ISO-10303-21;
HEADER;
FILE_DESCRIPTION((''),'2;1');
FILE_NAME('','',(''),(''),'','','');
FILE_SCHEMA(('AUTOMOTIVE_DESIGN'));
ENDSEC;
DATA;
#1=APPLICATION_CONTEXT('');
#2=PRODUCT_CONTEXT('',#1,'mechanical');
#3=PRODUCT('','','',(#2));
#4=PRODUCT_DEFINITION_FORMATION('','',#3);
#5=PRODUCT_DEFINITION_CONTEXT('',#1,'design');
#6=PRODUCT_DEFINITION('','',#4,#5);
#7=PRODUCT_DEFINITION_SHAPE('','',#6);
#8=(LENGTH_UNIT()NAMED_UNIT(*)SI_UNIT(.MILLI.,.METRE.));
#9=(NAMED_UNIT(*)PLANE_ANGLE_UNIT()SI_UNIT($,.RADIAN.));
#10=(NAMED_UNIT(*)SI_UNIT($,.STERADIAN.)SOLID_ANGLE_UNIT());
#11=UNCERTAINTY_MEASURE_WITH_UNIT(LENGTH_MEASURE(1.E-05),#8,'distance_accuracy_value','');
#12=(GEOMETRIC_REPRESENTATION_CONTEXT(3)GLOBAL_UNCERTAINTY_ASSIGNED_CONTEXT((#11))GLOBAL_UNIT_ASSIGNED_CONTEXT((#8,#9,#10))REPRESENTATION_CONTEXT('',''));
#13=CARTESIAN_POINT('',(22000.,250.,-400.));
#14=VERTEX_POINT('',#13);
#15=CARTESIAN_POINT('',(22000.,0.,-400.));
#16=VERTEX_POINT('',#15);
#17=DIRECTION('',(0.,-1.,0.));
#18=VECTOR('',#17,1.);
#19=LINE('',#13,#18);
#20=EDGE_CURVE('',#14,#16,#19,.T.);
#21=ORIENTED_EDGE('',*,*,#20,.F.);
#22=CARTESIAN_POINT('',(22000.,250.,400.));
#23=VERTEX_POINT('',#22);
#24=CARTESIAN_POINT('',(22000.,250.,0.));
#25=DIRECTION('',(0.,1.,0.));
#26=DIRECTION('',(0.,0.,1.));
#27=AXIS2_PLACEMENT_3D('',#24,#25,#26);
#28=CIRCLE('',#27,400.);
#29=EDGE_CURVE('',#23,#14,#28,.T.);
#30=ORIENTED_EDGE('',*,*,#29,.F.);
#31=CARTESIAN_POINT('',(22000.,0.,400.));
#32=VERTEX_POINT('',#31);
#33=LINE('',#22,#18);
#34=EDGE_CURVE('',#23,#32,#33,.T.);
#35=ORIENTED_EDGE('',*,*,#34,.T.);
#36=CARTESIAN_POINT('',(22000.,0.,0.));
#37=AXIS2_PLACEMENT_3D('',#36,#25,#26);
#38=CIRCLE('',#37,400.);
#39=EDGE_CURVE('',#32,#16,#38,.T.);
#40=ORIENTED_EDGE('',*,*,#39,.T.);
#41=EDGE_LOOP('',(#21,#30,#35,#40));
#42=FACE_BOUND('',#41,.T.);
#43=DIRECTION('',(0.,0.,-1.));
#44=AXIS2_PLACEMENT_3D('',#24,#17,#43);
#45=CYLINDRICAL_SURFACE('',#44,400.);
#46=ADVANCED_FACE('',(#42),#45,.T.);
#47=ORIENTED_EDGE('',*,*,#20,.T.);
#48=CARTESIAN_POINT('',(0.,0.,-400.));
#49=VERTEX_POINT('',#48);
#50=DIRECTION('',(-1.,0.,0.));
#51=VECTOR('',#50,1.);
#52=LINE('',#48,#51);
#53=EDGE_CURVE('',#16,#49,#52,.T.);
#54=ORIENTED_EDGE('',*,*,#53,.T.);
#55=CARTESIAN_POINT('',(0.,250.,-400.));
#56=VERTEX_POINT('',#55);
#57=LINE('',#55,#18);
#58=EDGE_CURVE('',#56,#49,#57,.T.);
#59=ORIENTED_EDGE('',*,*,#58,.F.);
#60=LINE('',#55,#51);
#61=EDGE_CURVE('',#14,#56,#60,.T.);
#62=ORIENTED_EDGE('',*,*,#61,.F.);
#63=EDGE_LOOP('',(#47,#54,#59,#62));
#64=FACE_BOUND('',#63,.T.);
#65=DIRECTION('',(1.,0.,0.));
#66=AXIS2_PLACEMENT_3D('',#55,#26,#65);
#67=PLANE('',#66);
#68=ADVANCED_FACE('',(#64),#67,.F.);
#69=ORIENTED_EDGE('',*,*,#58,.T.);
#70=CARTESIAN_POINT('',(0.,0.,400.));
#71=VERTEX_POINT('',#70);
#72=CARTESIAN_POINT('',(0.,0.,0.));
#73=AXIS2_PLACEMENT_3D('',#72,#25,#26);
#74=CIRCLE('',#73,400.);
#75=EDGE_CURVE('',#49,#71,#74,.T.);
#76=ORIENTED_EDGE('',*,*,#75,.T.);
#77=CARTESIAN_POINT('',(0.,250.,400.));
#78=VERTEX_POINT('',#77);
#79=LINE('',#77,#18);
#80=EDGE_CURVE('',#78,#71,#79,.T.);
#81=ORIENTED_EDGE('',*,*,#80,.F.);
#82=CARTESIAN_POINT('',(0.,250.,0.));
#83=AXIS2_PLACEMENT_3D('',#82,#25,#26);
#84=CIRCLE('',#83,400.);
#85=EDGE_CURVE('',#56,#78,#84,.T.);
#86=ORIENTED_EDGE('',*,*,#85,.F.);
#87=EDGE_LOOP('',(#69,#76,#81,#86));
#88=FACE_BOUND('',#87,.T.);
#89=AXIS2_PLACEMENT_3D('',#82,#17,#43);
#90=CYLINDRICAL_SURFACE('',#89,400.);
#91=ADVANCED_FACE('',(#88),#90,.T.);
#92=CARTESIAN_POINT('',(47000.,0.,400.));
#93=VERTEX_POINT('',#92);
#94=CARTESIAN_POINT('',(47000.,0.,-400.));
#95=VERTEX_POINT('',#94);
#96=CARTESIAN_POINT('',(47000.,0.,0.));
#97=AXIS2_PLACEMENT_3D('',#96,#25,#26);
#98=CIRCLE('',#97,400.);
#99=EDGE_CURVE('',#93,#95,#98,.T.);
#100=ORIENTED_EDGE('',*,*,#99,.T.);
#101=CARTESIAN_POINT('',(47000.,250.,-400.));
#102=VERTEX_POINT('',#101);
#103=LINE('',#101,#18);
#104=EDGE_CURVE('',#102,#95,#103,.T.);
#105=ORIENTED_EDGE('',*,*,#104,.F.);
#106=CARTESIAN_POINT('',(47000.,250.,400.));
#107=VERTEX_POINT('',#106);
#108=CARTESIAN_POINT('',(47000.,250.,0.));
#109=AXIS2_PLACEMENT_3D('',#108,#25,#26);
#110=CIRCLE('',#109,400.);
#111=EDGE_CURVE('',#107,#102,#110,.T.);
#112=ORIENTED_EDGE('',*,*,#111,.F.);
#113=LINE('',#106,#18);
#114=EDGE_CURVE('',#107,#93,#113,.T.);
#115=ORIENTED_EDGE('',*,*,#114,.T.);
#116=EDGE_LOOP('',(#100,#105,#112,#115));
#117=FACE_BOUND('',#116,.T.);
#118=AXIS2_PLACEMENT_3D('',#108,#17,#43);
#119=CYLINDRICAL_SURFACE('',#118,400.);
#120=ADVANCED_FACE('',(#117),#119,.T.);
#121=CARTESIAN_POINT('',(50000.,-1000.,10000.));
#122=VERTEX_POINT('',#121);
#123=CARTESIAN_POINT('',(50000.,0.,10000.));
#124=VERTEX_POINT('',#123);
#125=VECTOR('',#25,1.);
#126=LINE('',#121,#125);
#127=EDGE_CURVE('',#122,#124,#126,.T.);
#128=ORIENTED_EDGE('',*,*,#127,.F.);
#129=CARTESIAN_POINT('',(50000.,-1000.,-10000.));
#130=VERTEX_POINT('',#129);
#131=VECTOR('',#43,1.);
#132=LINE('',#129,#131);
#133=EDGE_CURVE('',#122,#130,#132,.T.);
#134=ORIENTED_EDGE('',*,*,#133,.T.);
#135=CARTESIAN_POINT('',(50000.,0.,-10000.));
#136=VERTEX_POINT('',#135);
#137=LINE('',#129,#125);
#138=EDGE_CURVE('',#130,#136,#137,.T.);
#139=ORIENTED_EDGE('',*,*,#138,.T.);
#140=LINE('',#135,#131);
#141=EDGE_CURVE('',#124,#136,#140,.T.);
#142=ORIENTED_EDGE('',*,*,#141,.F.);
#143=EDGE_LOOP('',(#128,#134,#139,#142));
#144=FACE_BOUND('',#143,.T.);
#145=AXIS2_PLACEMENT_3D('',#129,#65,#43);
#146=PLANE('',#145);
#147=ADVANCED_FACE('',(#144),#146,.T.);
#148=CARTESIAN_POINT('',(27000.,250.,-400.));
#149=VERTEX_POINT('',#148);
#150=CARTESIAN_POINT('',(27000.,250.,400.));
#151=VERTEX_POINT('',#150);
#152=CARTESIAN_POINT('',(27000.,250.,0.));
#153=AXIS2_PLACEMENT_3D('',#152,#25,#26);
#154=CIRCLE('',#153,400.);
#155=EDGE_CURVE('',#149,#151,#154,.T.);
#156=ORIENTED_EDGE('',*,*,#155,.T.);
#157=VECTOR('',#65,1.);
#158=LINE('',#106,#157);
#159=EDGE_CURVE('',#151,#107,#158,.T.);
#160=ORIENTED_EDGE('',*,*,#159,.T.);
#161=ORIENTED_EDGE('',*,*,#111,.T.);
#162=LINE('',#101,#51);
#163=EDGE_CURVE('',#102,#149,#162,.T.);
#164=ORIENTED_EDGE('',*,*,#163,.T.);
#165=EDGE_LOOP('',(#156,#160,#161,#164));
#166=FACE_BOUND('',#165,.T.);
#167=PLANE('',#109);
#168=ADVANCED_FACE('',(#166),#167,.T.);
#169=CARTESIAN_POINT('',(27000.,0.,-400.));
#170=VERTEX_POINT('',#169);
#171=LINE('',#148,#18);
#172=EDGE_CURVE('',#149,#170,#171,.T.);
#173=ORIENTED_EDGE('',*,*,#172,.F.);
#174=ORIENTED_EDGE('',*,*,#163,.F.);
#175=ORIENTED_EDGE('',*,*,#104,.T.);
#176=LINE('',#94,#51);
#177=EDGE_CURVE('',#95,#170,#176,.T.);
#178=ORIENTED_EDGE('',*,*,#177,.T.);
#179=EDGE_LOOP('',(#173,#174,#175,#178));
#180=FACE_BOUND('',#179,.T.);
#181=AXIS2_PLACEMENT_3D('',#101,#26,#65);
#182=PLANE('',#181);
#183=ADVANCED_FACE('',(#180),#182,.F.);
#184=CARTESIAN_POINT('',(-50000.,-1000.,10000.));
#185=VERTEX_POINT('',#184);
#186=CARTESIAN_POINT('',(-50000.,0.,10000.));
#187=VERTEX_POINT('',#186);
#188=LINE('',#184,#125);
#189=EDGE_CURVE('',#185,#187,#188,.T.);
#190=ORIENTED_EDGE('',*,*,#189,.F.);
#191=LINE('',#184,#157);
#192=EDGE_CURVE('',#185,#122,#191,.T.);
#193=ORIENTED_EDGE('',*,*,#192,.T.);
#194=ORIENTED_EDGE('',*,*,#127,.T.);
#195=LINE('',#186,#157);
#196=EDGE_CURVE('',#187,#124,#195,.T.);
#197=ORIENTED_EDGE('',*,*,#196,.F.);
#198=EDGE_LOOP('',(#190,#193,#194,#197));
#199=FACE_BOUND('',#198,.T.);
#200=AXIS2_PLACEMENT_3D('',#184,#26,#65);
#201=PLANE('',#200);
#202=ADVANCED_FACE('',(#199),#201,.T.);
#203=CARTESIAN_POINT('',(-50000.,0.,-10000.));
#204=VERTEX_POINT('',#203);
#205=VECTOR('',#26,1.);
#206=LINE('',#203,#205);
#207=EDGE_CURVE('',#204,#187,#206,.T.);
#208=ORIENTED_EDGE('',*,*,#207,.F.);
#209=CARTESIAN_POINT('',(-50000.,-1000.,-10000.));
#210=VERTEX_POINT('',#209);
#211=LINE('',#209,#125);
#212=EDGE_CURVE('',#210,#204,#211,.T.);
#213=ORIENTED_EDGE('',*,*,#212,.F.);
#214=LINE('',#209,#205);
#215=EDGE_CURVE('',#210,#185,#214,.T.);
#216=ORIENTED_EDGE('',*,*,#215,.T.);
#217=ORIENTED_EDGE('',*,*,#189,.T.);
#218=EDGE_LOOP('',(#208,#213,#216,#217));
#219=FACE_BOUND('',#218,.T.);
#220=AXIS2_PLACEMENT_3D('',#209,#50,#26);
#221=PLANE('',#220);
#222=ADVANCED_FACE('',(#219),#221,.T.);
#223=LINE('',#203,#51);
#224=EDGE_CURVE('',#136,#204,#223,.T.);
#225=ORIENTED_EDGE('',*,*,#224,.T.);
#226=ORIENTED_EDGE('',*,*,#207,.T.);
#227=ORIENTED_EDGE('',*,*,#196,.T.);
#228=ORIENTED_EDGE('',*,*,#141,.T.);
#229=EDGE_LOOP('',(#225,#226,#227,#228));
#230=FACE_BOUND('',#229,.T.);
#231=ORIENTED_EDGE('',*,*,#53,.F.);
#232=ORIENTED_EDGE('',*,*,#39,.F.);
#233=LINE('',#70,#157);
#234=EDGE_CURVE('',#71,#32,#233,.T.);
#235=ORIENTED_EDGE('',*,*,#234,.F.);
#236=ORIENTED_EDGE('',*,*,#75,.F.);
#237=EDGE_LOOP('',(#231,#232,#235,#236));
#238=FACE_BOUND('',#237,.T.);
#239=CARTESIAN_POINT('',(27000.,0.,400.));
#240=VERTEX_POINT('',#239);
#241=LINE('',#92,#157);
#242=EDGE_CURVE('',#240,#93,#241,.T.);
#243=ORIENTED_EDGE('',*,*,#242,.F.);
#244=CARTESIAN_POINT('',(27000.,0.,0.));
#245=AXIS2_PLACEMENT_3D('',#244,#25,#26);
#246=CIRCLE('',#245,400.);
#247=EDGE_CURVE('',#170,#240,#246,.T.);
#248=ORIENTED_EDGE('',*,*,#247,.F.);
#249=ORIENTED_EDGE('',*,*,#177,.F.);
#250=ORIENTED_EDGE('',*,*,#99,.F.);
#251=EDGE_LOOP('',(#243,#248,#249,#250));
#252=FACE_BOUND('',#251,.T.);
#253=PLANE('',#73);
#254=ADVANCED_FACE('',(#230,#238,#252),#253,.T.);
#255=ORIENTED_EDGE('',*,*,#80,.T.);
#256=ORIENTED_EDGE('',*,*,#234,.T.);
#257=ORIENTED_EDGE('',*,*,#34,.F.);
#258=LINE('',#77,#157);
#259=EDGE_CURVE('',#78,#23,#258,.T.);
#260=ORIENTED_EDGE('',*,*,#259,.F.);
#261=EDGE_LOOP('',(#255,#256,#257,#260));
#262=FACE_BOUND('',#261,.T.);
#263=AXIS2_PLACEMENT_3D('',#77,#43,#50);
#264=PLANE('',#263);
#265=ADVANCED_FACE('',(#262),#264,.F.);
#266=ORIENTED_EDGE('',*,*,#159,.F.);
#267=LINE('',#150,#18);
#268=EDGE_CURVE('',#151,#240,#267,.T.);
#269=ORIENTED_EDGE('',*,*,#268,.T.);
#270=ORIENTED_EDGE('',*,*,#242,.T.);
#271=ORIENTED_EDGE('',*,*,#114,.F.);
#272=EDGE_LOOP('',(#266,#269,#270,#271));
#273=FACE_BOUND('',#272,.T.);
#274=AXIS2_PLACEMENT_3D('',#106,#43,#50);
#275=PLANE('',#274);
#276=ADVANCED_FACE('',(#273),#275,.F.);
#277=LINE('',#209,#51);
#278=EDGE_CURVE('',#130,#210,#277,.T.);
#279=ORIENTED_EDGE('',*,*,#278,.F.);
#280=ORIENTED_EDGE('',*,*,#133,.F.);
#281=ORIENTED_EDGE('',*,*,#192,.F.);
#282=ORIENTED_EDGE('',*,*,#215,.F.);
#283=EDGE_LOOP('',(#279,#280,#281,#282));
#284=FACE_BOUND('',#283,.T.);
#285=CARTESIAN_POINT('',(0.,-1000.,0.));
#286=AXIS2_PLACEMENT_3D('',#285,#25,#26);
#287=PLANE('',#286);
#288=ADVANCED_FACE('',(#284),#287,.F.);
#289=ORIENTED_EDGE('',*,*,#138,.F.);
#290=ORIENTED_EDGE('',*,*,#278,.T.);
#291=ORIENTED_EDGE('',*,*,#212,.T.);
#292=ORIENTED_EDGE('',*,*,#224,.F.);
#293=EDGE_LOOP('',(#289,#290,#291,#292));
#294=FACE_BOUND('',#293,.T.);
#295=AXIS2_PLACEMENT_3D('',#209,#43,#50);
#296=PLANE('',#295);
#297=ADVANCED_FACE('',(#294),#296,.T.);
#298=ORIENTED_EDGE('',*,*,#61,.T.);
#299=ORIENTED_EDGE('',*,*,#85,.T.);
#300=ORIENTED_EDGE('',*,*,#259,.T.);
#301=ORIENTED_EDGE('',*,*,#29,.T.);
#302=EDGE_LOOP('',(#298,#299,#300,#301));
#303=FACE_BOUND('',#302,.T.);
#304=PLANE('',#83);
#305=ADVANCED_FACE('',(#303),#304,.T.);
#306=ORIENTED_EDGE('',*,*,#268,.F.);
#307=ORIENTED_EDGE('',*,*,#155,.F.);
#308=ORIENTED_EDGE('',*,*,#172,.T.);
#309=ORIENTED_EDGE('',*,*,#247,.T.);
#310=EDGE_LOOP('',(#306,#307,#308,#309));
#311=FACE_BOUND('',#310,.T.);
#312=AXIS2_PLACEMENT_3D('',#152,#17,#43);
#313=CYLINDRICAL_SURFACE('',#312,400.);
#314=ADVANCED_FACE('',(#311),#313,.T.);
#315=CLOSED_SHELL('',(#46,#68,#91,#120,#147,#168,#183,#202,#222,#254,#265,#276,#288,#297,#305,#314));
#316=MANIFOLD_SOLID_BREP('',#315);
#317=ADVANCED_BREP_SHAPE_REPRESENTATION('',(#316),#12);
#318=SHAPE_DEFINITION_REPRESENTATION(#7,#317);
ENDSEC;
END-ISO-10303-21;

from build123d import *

# Parameters (mm, degrees)
SKETCH1_W           = 100000
SKETCH1_H           = 20000
BOSS_EXTRUDE1_DEPTH = 1000
BOSS_EXTRUDE2_DEPTH = 250


with BuildPart() as part:
    # Sketch1 → Boss-Extrude1 (new body)
    with BuildSketch(Plane(origin=(0, 0, 0), x_dir=(1, 0, 0), z_dir=(0, 1, 0))):
        Rectangle(SKETCH1_W, SKETCH1_H)
    extrude(amount=-BOSS_EXTRUDE1_DEPTH)

    # Sketch2 → Boss-Extrude2 (add)
    with BuildSketch(Plane(origin=(0, 0, 0), x_dir=(1, 0, 0), z_dir=(0, 1, 0))):
        with BuildLine():
            Line((47000, -400), (27000, -400))
            ThreePointArc((27000, -400), (26600, 0), (27000, 400))
            Line((27000, 400), (47000, 400))
            ThreePointArc((47000, 400), (47400, 0), (47000, -400))
        make_face()
        with BuildLine():
            Line((0, 400), (22000, 400))
            ThreePointArc((22000, 400), (22400, 0), (22000, -400))
            Line((22000, -400), (0, -400))
            ThreePointArc((0, -400), (-400, 0), (0, 400))
        make_face()
    extrude(amount=BOSS_EXTRUDE2_DEPTH)


solid = part.part
